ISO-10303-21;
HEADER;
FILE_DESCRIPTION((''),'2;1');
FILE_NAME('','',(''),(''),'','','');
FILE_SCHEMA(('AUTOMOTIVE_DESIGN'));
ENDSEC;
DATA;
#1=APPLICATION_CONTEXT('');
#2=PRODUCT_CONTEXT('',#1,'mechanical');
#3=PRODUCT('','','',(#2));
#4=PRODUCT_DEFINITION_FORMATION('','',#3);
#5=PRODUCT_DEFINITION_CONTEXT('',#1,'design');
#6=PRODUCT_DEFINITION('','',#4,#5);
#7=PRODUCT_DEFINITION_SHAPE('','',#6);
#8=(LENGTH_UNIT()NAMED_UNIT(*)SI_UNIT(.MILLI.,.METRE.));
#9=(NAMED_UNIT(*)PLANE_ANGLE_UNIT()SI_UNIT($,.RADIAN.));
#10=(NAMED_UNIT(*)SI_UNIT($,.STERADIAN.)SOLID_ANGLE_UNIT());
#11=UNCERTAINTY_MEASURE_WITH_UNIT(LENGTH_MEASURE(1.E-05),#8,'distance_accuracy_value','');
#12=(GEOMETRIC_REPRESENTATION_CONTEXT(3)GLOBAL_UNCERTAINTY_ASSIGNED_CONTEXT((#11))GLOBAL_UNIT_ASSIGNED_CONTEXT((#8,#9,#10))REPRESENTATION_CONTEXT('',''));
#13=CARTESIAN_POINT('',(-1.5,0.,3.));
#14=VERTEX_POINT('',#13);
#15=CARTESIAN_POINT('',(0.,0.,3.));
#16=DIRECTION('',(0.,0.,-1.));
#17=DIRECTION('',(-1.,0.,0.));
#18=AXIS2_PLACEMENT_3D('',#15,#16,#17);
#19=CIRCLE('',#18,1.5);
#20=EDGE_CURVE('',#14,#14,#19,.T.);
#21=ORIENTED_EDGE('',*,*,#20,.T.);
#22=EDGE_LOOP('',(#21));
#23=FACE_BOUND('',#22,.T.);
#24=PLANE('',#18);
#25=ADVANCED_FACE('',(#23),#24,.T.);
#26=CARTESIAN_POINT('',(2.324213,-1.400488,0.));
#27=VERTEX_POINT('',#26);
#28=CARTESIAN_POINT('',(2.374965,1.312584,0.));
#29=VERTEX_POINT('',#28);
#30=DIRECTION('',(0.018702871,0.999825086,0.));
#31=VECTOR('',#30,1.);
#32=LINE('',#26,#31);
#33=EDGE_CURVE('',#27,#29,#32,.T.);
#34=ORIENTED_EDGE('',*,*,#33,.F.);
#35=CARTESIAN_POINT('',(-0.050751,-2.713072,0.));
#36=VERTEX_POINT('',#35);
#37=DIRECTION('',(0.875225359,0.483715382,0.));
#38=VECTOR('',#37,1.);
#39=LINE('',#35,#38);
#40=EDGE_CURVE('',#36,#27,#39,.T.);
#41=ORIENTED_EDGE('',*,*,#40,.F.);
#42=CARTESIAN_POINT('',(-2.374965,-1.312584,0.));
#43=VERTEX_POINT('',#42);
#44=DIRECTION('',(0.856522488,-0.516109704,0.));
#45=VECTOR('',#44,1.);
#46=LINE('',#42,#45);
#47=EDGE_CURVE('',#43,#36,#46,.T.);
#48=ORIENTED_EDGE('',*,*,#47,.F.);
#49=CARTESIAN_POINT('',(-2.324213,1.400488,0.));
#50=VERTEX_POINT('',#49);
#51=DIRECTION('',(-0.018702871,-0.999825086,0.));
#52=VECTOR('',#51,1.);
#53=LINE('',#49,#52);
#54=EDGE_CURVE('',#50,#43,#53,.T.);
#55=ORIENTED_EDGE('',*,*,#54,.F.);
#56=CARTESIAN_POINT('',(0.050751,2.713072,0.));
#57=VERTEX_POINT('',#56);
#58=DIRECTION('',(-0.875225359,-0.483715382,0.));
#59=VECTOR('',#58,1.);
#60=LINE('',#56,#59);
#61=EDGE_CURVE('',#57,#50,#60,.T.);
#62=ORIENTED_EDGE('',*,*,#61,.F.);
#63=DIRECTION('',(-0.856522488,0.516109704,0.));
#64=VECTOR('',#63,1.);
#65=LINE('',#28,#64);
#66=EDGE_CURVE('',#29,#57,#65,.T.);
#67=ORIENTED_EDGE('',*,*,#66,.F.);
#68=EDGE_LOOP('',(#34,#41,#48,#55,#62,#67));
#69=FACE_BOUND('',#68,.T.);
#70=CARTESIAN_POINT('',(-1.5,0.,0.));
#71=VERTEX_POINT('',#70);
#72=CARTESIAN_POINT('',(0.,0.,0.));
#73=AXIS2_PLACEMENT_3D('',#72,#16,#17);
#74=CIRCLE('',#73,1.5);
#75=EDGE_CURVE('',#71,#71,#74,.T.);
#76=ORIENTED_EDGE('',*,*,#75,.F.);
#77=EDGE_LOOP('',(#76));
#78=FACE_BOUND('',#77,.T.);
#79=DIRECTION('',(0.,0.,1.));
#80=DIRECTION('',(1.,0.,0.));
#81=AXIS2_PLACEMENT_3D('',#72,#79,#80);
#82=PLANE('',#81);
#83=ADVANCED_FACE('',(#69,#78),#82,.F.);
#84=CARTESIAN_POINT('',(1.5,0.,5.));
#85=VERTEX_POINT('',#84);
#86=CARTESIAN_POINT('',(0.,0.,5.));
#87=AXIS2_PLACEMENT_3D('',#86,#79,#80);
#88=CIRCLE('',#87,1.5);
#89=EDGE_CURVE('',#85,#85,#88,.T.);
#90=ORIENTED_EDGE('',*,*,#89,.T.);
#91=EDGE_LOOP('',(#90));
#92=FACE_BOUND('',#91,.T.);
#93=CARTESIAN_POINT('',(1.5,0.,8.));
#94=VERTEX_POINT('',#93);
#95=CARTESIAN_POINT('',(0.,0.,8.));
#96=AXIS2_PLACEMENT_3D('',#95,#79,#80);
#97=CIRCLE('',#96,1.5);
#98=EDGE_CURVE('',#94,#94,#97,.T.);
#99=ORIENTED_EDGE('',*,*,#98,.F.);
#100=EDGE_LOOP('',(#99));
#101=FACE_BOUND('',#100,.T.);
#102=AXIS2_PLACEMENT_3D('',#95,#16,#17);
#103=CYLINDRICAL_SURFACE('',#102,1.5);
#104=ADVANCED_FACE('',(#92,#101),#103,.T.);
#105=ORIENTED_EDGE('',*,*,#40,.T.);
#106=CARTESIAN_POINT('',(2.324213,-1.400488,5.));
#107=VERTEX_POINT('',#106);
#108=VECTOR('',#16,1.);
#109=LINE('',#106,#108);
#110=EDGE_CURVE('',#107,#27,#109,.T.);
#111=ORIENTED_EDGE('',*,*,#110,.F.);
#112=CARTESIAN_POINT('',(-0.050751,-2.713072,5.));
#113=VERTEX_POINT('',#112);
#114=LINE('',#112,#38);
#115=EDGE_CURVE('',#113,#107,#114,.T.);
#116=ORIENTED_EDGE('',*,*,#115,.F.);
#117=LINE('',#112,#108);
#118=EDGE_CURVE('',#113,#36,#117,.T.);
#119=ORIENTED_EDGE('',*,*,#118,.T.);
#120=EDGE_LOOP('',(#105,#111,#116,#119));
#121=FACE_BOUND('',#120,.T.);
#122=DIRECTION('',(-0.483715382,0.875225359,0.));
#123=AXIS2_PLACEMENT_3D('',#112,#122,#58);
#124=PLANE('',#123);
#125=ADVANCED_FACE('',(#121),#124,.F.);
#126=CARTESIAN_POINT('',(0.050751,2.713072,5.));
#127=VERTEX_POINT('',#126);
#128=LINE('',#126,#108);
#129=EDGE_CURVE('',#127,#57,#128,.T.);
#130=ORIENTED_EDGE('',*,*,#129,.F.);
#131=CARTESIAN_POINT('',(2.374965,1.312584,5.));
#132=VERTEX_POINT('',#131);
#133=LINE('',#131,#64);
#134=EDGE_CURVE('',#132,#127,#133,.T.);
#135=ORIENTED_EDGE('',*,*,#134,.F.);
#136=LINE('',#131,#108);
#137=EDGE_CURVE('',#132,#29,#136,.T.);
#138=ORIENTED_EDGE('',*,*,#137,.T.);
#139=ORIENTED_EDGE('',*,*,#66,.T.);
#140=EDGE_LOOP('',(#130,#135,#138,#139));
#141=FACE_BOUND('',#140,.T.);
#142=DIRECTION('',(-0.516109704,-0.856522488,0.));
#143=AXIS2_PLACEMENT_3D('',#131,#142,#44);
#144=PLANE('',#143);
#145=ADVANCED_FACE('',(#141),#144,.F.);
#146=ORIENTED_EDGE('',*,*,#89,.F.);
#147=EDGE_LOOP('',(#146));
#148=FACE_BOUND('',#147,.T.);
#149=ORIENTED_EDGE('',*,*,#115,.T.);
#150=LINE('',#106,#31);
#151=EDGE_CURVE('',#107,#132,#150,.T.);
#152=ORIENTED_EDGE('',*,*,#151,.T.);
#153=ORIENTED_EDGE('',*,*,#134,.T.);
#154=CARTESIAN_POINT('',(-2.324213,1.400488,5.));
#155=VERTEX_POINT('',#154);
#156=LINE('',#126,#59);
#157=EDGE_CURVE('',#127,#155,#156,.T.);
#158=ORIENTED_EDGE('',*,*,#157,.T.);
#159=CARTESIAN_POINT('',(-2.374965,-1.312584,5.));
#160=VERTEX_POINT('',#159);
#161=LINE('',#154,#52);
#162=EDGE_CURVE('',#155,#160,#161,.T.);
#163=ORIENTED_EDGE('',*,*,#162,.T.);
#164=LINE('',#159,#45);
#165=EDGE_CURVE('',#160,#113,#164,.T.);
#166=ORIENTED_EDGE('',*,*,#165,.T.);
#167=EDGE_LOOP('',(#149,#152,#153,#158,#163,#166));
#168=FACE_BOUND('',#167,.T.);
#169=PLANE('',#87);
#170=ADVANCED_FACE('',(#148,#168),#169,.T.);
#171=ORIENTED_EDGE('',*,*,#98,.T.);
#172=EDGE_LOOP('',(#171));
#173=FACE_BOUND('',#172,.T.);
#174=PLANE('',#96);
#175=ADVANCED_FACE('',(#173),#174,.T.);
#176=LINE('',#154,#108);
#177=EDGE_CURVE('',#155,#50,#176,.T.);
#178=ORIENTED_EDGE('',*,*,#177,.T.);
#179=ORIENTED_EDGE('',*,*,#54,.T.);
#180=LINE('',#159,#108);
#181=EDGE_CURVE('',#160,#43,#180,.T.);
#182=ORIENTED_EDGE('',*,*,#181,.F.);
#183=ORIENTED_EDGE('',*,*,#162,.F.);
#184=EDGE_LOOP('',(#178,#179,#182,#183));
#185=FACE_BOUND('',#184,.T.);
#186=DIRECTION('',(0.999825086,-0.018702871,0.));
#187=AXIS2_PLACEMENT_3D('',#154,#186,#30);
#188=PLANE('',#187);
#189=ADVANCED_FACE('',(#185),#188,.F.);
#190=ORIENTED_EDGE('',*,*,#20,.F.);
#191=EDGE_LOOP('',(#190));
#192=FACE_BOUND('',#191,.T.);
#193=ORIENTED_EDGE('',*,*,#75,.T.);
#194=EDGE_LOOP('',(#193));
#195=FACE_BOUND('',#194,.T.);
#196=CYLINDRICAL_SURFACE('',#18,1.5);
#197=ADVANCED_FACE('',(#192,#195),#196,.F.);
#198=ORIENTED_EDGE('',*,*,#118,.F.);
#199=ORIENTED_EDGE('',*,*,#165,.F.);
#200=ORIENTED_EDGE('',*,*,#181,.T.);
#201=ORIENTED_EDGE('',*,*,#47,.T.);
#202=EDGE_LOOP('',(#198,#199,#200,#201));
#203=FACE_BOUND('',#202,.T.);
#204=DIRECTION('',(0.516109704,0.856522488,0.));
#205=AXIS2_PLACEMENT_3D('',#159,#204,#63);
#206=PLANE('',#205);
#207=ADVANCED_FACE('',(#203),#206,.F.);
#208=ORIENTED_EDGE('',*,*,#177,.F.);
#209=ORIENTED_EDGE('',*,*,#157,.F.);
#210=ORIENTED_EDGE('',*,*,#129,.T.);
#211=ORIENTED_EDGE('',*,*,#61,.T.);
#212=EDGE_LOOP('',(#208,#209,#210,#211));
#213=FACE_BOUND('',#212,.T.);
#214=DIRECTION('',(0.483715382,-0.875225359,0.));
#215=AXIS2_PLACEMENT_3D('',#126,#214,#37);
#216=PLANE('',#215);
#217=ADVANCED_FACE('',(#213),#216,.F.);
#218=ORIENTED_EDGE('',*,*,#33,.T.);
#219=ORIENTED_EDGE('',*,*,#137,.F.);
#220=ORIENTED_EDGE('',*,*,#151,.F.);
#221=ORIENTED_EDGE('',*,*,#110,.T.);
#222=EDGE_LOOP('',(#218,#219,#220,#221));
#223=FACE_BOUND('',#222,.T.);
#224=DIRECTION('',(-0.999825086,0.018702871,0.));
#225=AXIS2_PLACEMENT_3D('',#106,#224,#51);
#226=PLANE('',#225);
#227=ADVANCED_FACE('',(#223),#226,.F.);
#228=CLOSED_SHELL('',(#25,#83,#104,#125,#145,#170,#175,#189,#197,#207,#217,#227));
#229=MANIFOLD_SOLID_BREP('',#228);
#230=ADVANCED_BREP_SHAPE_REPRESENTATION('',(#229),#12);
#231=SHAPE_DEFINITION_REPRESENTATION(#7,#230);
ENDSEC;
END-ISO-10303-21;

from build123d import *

# Parameters (mm, degrees)
EXTRUDE_1_DEPTH     = 5
SKETCH_2_R          = 1.5
EXTRUDE_2_DEPTH     = 3
SKETCH_3_R          = 1.5
CUT_EXTRUDE_1_DEPTH = 3


with BuildPart() as part:
    # 草图1 → 凸台-拉伸1 (new body)
    with BuildSketch(Plane.XY):
        Polygon((-2.324213399, 1.400487561), (-2.374964505, -1.312584067), (-0.050751106, -2.713071628), (2.324213399, -1.400487561), (2.374964505, 1.312584067), (0.050751106, 2.713071628), align=None)
    extrude(amount=EXTRUDE_1_DEPTH)

    # 草图2 → 凸台-拉伸2 (add)
    with BuildSketch(Plane.XY.offset(5)):
        Circle(SKETCH_2_R)
    extrude(amount=EXTRUDE_2_DEPTH)

    # 草图3 → 切除-拉伸1 (cut)
    with BuildSketch(Plane(origin=(0, 0, 0), x_dir=(-1, 0, 0), z_dir=(0, 0, -1))):
        with Locations(Location((0, 0, 0), (0, 0, 180))):
            Circle(SKETCH_3_R)
    extrude(amount=-CUT_EXTRUDE_1_DEPTH, mode=Mode.SUBTRACT)


solid = part.part
